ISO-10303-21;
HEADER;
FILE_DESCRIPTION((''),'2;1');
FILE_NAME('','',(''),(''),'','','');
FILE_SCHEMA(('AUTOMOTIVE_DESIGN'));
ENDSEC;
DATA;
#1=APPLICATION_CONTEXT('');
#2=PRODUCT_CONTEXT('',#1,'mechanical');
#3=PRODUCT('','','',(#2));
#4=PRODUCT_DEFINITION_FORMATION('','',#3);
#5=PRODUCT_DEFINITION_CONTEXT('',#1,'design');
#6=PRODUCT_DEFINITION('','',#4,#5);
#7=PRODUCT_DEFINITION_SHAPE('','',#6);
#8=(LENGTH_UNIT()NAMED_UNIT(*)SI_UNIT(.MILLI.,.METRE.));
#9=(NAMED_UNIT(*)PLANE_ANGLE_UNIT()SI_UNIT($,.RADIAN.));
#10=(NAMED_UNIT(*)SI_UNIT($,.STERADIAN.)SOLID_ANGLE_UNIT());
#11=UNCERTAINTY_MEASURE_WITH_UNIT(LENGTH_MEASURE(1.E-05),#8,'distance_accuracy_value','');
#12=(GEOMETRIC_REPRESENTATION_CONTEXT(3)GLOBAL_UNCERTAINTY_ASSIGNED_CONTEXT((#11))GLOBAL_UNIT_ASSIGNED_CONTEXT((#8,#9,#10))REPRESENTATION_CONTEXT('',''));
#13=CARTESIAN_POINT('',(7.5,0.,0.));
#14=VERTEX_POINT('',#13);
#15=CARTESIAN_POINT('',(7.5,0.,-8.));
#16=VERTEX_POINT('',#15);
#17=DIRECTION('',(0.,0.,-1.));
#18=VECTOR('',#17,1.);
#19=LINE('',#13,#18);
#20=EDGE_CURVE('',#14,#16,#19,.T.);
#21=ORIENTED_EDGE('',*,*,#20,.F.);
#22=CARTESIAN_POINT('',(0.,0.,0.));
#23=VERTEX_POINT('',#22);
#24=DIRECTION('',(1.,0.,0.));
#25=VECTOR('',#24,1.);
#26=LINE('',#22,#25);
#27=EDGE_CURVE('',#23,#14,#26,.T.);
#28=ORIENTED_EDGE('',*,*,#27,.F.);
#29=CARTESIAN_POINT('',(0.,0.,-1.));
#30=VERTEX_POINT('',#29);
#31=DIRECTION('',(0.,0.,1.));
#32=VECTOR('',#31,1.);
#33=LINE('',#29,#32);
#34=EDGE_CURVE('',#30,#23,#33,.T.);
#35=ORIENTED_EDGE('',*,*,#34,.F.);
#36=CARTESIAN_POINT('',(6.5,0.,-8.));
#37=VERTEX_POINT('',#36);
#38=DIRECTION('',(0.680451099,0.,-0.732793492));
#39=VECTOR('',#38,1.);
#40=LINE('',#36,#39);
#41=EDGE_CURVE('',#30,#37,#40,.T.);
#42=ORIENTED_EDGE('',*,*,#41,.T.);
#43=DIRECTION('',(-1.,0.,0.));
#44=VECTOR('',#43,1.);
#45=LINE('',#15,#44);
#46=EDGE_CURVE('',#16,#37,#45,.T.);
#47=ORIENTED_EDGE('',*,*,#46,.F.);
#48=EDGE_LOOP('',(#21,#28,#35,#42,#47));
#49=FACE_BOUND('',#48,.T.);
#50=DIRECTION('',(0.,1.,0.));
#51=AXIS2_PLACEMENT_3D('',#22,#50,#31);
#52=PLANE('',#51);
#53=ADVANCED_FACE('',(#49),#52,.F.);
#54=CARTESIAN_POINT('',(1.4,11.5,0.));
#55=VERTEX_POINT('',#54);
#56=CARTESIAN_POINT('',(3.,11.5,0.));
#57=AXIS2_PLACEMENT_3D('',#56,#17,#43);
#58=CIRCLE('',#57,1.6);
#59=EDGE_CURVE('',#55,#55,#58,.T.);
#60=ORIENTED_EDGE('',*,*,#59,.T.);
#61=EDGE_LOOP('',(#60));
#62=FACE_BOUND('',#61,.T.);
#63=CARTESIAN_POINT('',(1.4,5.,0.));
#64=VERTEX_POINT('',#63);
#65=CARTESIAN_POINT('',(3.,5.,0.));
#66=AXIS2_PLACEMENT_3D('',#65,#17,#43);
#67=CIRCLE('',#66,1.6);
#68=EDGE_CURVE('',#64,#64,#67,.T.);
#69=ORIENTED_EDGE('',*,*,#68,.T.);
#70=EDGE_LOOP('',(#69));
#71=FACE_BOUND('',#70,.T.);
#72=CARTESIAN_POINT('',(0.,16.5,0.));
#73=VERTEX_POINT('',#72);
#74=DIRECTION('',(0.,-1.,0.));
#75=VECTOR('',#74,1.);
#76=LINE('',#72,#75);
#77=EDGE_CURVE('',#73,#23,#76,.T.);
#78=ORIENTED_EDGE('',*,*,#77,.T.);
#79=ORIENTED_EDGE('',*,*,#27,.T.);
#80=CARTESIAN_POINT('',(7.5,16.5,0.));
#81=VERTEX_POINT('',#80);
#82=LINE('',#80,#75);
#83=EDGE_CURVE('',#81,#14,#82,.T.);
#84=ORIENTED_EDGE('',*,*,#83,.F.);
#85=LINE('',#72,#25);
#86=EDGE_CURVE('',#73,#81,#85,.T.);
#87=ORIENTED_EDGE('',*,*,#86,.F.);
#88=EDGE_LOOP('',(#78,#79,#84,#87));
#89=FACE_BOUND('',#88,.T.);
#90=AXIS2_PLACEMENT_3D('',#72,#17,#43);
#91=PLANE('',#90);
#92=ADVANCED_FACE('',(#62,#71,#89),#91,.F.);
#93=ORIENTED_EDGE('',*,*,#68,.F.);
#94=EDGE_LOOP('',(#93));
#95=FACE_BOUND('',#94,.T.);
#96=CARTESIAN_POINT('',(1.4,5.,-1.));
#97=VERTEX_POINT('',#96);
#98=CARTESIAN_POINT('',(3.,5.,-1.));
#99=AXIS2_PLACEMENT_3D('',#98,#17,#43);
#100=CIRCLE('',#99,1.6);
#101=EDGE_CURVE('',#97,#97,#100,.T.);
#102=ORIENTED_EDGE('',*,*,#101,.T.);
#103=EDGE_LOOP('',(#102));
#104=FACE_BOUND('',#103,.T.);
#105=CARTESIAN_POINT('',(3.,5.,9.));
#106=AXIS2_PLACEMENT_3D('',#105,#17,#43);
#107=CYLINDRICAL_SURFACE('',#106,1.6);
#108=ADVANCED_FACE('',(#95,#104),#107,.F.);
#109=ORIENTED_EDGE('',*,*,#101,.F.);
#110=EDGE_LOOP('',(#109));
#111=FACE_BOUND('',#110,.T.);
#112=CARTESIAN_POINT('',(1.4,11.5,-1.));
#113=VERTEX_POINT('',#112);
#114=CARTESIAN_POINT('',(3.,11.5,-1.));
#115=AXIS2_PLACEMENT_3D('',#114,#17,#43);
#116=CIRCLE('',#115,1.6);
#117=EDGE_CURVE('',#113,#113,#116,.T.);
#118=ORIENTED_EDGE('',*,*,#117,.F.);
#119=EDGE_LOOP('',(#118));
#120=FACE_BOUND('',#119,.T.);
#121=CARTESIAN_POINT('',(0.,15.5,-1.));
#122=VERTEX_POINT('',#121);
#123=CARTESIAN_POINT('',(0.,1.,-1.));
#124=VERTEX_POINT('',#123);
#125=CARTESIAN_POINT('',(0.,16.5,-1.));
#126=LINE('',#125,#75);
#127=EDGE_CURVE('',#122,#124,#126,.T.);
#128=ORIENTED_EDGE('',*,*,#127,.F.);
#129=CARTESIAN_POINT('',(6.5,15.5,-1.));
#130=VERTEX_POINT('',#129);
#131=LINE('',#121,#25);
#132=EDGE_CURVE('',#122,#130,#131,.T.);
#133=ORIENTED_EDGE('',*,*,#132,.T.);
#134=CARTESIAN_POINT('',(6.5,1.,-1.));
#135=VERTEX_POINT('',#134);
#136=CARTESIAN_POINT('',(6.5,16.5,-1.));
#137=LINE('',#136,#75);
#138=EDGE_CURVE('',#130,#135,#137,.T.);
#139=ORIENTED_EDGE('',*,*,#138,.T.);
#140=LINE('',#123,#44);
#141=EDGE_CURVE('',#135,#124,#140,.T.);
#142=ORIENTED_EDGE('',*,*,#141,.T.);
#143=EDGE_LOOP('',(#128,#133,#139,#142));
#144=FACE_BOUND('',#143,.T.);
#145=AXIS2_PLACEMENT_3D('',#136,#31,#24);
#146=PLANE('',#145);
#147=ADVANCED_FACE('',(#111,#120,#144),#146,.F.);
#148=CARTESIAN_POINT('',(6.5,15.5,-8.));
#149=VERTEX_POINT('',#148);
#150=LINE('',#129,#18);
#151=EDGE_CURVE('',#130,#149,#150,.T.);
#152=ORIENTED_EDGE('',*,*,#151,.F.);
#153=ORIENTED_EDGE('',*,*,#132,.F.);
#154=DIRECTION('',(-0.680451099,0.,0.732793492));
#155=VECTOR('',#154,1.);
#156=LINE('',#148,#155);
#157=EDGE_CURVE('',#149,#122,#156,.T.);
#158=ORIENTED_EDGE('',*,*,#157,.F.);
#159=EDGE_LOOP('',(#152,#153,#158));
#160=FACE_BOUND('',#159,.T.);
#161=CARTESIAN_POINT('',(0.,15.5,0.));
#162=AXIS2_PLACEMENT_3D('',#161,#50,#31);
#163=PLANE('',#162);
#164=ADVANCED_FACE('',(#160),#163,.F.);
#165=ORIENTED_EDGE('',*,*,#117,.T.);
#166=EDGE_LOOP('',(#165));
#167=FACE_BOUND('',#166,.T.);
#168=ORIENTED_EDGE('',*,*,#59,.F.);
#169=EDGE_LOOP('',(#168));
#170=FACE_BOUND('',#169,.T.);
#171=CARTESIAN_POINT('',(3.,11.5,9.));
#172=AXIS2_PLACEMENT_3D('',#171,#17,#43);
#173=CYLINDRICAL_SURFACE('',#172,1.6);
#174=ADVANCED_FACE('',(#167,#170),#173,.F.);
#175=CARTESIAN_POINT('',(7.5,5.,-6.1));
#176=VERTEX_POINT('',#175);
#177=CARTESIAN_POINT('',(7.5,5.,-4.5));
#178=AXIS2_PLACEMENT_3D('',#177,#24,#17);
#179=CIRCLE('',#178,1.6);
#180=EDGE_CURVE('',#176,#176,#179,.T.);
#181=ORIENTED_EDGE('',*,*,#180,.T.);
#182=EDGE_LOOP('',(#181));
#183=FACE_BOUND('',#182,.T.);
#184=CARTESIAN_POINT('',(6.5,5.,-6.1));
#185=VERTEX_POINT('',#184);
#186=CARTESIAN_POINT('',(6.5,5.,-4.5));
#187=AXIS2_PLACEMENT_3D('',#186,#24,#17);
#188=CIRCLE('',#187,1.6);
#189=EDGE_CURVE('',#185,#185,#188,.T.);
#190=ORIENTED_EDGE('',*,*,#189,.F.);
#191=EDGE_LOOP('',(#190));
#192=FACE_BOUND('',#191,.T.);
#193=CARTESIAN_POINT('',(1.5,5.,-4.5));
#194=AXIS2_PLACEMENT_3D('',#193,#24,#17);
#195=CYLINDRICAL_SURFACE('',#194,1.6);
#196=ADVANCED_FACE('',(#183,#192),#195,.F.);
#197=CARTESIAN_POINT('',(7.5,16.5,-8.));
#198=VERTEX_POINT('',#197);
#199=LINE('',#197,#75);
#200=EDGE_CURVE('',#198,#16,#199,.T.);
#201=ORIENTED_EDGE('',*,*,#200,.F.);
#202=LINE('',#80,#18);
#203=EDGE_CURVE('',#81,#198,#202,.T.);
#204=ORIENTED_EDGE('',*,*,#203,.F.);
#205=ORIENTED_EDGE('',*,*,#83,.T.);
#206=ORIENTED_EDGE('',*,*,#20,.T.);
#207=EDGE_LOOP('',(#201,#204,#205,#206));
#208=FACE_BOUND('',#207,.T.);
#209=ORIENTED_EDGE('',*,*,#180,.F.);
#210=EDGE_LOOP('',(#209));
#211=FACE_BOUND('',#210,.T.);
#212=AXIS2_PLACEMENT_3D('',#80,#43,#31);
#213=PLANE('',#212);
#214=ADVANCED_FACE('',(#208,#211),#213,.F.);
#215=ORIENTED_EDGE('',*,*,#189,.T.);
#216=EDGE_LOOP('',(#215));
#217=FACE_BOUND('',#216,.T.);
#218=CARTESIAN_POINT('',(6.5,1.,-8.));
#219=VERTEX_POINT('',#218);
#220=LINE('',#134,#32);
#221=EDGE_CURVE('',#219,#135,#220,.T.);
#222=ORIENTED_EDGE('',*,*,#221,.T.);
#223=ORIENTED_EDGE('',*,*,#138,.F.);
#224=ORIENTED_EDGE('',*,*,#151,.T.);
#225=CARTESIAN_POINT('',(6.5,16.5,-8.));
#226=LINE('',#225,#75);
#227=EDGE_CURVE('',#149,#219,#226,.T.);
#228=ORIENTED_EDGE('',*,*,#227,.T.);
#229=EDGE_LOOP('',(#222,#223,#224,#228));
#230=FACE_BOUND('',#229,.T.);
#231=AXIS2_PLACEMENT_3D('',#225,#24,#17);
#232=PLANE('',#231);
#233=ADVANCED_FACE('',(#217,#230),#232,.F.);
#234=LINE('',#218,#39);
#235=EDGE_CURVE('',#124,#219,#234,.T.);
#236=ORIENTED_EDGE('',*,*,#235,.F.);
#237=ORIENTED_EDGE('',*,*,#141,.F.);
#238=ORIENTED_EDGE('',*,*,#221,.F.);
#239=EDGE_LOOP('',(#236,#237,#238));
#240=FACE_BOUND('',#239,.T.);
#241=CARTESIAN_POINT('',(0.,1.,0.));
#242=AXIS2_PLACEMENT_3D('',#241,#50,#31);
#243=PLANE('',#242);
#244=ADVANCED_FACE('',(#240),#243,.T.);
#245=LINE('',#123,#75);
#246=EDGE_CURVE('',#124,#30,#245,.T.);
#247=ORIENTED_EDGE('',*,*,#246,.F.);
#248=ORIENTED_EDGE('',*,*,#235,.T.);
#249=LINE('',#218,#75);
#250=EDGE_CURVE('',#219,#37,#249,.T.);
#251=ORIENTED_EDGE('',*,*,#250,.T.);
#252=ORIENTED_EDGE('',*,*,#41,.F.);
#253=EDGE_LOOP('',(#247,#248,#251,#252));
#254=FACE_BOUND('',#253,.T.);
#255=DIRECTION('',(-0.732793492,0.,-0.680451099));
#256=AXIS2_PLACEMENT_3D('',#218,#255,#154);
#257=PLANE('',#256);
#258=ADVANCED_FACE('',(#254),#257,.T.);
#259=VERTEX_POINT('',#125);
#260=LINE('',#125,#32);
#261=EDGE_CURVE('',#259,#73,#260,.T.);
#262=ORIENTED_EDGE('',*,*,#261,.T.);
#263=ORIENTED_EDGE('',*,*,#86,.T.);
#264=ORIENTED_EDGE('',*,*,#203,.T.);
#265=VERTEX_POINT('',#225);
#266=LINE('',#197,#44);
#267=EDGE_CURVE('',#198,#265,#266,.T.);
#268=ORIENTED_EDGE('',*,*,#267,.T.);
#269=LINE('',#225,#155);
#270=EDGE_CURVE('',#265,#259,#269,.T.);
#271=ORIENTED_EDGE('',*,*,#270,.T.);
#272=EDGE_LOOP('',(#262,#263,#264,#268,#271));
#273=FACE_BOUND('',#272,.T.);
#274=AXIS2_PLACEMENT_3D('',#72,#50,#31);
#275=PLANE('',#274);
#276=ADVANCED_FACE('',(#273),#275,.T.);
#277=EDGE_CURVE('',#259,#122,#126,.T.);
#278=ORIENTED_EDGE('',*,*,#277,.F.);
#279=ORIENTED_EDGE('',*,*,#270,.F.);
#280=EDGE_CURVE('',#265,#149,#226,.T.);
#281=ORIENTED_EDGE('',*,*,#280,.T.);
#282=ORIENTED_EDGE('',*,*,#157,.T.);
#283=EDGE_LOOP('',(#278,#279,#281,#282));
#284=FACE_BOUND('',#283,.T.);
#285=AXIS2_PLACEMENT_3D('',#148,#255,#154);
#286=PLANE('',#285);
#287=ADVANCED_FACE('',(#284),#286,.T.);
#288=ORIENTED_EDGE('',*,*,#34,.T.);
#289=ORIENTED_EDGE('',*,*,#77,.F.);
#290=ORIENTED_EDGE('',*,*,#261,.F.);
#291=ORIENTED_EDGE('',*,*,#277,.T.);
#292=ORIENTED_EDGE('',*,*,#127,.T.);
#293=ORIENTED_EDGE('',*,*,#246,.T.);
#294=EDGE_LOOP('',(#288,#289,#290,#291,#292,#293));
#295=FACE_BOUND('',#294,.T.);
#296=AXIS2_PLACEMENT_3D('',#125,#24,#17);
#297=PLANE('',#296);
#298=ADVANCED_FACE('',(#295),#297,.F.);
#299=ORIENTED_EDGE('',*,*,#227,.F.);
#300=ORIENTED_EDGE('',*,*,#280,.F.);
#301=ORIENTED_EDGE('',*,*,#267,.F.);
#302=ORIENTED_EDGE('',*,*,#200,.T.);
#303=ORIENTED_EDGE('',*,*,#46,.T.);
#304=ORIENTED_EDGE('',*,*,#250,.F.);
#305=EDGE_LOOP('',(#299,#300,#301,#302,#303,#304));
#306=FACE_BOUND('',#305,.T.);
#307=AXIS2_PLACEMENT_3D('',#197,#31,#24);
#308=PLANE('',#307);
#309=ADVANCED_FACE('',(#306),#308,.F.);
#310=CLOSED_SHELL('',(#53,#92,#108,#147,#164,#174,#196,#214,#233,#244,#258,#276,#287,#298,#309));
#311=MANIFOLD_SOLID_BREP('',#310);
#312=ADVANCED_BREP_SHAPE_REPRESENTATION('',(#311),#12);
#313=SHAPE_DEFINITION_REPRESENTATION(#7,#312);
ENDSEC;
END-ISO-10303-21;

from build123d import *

# Parameters (mm, degrees)
EXTRUDE_1_DEPTH     = 16.5
SKETCH_2_R          = 1.6
CUT_EXTRUDE_1_DEPTH = 6
SKETCH_3_R          = 1.6
CUT_EXTRUDE_2_DEPTH = 10
EXTRUDE_2_DEPTH     = 1
EXTRUDE_3_DEPTH     = 1


with BuildPart() as part:
    # 草图1 → 凸台-拉伸1 (new body)
    with BuildSketch(Plane(origin=(0, 0, 0), x_dir=(1, 0, 0), z_dir=(0, 1, 0))):
        Polygon((0, 0), (7.5, 0), (7.5, 8), (6.5, 8), (6.5, 1), (0, 1), align=None)
    extrude(amount=EXTRUDE_1_DEPTH)

    # 草图2 → 切除-拉伸1 (cut)
    with BuildSketch(Plane(origin=(7.5, 0, 0), x_dir=(0, 0, -1), z_dir=(1, 0, 0))):
        with Locations((4.5, 5)):
            Circle(SKETCH_2_R)
    extrude(amount=-CUT_EXTRUDE_1_DEPTH, mode=Mode.SUBTRACT)

    # 草图3 → 切除-拉伸2 (cut)
    with BuildSketch(Plane(origin=(0, 0, -1), x_dir=(-1, 0, 0), z_dir=(0, 0, -1))):
        with Locations((-3, 5)):
            Circle(SKETCH_3_R)
        with Locations((-3, 11.5)):
            Circle(SKETCH_3_R)
    extrude(amount=-CUT_EXTRUDE_2_DEPTH, mode=Mode.SUBTRACT)

    # 草图4 → 凸台-拉伸2 (add)
    with BuildSketch(Plane.XZ):
        Polygon((0, -1), (6.5, -1), (6.5, -8), align=None)
    extrude(amount=-EXTRUDE_2_DEPTH)

    # 草图5 → 凸台-拉伸3 (add)
    with BuildSketch(Plane(origin=(0, 16.5, 0), x_dir=(1, 0, 0), z_dir=(0, 1, 0))):
        Polygon((0, 1), (6.5, 1), (6.5, 8), align=None)
    extrude(amount=-EXTRUDE_3_DEPTH)


solid = part.part
